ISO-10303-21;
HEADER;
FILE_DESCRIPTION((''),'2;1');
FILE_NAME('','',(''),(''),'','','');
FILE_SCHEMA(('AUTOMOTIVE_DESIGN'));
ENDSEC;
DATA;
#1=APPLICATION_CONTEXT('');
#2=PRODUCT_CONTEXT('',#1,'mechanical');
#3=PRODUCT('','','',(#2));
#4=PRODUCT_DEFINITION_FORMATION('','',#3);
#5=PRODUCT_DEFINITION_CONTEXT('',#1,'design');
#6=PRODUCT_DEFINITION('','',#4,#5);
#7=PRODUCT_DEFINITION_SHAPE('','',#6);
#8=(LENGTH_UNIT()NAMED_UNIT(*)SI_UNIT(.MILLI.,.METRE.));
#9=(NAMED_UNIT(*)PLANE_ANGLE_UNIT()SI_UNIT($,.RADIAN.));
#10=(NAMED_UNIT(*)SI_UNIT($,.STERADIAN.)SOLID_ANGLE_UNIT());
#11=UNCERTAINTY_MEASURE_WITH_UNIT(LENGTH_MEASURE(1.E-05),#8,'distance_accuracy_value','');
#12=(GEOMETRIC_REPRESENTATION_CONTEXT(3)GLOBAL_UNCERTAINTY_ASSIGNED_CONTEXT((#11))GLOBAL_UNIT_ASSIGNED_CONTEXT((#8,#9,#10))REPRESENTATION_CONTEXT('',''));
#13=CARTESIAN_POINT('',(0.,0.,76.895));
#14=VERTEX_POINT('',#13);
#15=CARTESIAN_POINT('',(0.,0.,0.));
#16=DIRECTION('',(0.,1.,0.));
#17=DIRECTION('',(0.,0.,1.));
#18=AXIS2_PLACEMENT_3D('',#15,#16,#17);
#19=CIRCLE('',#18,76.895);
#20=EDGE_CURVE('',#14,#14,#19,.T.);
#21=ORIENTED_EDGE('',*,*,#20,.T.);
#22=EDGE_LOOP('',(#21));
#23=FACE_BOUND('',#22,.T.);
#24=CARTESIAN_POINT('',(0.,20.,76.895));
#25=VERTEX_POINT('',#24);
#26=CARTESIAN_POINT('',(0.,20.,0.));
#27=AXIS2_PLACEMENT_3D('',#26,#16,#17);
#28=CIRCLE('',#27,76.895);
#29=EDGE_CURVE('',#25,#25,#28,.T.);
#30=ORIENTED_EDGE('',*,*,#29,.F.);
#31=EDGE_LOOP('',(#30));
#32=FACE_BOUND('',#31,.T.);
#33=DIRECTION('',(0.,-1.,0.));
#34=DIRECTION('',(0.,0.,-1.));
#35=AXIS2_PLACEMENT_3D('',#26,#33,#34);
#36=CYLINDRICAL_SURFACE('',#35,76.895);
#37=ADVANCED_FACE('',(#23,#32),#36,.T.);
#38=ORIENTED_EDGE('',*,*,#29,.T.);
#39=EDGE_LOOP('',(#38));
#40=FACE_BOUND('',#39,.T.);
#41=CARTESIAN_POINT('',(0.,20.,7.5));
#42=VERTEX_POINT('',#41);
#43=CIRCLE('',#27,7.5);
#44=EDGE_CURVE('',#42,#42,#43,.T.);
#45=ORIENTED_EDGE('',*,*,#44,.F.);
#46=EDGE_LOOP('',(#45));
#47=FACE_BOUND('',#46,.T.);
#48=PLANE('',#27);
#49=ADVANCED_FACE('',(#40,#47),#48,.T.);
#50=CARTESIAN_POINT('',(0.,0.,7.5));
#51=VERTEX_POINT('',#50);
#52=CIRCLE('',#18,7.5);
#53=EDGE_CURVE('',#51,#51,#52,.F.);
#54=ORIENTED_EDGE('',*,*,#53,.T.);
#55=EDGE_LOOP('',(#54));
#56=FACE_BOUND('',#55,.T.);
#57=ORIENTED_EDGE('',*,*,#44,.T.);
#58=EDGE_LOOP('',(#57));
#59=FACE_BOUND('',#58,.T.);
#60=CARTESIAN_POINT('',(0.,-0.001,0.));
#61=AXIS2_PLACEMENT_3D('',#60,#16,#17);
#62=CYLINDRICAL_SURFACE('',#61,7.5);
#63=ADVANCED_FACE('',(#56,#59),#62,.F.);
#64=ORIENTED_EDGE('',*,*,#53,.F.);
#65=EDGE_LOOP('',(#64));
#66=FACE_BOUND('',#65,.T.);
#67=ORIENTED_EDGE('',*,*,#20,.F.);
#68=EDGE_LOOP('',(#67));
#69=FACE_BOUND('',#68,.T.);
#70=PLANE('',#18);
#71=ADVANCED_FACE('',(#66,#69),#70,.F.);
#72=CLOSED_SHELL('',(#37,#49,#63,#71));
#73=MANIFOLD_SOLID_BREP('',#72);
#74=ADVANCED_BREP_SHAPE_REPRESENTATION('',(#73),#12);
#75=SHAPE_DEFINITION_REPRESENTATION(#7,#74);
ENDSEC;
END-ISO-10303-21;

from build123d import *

# Parameters (mm, degrees)
SKETCH1_R           = 76.895
BOSS_EXTRUDE1_DEPTH = 20
CUT_EXTRUDE1_REACH  = 112.57
SKETCH2_R           = 7.5


with BuildPart() as part:
    # Sketch1 → Boss-Extrude1 (new body)
    with BuildSketch(Plane(origin=(0, 0, 0), x_dir=(1, 0, 0), z_dir=(0, 1, 0))):
        with Locations(Location((0, 0, 0), (0, 0, 270))):
            Circle(SKETCH1_R)
    extrude(amount=BOSS_EXTRUDE1_DEPTH)

    # Sketch2 → Cut-Extrude1 (cut, up to next)
    with BuildSketch(Plane(origin=(0, 20, 0), x_dir=(1, 0, 0), z_dir=(0, 1, 0)), mode=Mode.PRIVATE) as cut_extrude1_sk1:
        with Locations(Location((0, 0, 0), (0, 0, 270))):
            Circle(SKETCH2_R)
    cut_extrude1_tool1 = extrude(cut_extrude1_sk1.sketch, amount=-CUT_EXTRUDE1_REACH, mode=Mode.PRIVATE) & part.part
    add(cut_extrude1_tool1.solids().sort_by_distance((0, 20, 0))[0], mode=Mode.SUBTRACT)


solid = part.part
